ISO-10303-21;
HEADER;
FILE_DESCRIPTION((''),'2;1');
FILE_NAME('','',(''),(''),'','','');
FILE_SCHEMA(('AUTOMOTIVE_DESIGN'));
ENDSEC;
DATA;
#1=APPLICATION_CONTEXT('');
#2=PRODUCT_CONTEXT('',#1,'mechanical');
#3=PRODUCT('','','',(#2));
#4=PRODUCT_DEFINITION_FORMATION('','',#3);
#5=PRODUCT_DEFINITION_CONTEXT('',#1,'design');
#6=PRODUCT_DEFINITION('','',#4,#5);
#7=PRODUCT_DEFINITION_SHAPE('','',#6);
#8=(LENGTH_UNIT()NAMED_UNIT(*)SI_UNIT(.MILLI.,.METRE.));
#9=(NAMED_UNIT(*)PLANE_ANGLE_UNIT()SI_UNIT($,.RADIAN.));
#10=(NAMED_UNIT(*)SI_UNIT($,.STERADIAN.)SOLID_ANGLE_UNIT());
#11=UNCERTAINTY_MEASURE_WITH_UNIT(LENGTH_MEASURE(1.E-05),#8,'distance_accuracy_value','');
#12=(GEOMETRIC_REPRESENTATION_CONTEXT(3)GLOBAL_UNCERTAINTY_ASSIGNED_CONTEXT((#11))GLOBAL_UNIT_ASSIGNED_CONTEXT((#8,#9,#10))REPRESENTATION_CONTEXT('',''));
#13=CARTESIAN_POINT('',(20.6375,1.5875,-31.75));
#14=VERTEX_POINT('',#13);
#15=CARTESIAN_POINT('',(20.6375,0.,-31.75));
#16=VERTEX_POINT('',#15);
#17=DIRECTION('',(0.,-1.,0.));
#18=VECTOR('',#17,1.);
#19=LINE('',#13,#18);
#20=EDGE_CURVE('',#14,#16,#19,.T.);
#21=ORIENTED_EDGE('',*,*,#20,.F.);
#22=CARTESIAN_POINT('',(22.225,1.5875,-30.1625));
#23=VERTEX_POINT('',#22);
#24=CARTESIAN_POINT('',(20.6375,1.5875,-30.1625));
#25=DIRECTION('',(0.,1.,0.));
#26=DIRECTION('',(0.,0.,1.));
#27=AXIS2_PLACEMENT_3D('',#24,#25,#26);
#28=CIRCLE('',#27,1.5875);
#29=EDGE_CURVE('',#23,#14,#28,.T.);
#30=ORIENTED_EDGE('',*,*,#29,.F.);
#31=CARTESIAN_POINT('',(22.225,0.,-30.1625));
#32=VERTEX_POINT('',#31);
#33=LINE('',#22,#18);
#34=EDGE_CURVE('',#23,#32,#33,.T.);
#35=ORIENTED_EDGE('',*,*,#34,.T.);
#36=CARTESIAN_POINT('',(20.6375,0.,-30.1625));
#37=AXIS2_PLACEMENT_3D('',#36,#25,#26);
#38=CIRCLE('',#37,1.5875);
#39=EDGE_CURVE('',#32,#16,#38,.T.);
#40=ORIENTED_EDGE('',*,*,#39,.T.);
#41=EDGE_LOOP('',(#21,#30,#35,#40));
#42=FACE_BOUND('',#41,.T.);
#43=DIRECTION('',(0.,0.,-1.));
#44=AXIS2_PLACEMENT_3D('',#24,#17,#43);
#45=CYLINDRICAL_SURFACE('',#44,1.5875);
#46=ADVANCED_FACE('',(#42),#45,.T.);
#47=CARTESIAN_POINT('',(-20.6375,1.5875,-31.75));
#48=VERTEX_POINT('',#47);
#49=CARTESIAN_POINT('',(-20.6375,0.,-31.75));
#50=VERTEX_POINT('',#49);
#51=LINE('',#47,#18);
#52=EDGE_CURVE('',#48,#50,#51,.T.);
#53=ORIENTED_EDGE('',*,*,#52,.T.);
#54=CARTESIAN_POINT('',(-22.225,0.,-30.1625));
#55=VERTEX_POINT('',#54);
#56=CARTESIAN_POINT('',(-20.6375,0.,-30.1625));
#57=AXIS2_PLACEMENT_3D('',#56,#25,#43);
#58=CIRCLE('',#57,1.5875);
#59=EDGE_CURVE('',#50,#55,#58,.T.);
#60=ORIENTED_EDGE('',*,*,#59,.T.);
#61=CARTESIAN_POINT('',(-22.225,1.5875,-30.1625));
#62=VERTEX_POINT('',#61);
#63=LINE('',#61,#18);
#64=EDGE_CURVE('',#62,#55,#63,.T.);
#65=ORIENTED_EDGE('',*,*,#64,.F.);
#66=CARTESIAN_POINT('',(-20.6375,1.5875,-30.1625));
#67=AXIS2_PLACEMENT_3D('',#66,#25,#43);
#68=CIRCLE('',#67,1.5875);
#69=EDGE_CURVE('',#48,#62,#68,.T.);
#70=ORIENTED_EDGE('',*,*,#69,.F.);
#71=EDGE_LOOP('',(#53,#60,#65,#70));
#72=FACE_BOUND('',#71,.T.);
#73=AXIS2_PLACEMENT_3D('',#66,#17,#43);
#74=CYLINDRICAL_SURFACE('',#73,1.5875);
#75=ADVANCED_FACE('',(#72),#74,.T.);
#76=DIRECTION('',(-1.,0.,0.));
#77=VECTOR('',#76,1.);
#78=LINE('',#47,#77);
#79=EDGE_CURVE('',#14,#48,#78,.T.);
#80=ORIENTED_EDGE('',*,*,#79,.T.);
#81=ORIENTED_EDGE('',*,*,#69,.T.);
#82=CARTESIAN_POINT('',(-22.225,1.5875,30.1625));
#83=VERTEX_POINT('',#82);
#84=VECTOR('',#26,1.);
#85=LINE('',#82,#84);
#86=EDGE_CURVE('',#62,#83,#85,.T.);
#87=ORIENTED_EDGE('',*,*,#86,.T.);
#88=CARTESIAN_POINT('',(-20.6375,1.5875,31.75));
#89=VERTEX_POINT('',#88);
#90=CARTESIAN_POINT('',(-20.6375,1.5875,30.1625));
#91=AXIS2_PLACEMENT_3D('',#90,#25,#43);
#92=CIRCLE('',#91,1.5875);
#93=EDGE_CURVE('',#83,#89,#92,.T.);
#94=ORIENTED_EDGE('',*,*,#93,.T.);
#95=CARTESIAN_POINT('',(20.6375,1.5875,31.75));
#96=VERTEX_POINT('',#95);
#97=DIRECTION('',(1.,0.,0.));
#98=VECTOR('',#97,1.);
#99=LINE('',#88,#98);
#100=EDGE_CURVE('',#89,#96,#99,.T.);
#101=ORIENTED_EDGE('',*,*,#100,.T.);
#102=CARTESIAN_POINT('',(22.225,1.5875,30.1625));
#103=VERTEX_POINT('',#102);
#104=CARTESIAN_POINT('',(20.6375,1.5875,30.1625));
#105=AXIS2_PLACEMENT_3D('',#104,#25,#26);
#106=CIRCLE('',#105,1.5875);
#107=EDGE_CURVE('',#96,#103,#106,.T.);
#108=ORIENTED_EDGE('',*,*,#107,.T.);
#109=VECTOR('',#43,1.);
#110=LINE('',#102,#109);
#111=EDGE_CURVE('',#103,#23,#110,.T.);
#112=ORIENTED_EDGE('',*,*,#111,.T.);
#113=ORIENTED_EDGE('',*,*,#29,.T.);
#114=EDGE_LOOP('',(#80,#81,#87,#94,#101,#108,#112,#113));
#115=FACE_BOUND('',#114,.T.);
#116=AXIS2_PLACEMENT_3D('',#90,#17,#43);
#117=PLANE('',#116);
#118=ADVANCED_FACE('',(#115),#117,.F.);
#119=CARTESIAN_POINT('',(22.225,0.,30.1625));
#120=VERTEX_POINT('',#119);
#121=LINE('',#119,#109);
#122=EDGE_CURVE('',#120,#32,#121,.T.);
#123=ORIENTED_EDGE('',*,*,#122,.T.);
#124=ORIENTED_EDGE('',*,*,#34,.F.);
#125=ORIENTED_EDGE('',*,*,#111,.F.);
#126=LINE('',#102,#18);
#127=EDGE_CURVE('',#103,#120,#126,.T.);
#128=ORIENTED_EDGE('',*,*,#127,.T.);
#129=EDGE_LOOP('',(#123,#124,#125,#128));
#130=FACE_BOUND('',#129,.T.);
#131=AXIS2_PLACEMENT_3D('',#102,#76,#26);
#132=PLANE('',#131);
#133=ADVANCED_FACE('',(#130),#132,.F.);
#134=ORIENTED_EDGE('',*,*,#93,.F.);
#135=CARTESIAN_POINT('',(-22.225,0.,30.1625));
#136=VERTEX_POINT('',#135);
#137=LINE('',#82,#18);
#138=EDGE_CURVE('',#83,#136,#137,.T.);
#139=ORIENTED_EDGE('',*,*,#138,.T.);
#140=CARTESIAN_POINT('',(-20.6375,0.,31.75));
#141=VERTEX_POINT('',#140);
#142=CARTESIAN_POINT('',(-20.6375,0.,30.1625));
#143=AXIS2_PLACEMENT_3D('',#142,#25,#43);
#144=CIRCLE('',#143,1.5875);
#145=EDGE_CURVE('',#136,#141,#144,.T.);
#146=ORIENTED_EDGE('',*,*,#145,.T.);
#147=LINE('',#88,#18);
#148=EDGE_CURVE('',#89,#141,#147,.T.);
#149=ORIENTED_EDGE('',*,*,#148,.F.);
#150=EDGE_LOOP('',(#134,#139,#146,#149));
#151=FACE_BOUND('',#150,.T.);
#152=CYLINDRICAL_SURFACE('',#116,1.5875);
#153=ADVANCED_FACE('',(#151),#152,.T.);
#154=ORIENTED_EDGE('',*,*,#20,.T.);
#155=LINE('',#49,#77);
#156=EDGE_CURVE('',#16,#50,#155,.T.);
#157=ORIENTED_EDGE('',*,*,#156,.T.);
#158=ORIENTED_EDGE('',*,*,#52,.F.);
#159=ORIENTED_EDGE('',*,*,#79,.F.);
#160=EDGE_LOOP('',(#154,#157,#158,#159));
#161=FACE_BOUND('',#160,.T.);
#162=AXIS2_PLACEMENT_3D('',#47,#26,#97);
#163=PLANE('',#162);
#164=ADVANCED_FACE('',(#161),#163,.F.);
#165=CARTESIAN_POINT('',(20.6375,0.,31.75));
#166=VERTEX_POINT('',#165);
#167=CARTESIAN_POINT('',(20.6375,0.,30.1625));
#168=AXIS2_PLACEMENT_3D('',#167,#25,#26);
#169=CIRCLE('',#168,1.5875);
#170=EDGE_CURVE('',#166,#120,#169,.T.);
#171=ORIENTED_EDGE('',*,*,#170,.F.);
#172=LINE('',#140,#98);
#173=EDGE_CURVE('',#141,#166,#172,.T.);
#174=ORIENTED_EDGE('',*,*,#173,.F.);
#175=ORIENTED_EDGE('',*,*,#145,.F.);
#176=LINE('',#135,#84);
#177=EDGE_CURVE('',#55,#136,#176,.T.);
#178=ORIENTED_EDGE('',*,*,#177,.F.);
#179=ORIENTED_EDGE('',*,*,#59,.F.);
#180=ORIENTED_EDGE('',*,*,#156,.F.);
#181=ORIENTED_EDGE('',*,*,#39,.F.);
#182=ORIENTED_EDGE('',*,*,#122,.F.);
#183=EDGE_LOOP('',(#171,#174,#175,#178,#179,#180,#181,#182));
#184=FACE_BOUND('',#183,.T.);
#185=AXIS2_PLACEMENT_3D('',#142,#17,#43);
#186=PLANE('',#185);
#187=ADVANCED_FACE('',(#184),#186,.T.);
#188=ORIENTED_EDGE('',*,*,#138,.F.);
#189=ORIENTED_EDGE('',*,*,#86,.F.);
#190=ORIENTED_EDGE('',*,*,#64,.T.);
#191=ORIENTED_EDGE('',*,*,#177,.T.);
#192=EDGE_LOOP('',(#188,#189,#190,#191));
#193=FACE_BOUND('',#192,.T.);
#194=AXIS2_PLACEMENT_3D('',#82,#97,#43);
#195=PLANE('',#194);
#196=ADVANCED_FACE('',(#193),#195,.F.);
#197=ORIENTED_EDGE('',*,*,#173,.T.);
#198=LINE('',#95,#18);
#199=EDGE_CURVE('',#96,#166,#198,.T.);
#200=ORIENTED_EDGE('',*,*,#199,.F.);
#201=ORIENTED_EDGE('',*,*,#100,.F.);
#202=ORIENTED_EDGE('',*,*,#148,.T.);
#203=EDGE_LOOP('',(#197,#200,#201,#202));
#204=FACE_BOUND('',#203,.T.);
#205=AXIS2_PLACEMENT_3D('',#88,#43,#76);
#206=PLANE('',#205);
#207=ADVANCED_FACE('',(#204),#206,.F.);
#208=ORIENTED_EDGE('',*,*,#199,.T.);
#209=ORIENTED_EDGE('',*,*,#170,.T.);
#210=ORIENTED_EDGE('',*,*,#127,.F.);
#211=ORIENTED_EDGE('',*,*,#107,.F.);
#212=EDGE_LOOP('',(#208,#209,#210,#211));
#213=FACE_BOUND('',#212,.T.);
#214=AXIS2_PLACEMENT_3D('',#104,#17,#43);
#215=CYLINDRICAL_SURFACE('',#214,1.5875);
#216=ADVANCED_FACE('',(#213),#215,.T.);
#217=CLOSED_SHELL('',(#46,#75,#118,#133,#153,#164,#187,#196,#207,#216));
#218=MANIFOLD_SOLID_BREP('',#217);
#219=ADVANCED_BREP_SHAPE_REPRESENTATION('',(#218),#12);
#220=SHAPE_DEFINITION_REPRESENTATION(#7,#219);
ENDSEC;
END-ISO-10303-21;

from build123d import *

# Parameters (mm, degrees)
BOSS_EXTRUDE1_DEPTH = 1.5875


with BuildPart() as part:
    # Sketch1 → Boss-Extrude1 (new body)
    with BuildSketch(Plane(origin=(0, 0, 0), x_dir=(1, 0, 0), z_dir=(0, 1, 0))):
        with BuildLine():
            Line((-22.225, -30.1625), (-22.225, 30.1625))
            ThreePointArc((-22.225, 30.1625), (-21.760032015, 31.285032015), (-20.6375, 31.75))
            Line((-20.6375, 31.75), (20.6375, 31.75))
            ThreePointArc((20.6375, 31.75), (21.760032015, 31.285032015), (22.225, 30.1625))
            Line((22.225, 30.1625), (22.225, -30.1625))
            ThreePointArc((22.225, -30.1625), (21.760032015, -31.285032015), (20.6375, -31.75))
            Line((20.6375, -31.75), (-20.6375, -31.75))
            ThreePointArc((-20.6375, -31.75), (-21.760032015, -31.285032015), (-22.225, -30.1625))
        make_face()
    extrude(amount=BOSS_EXTRUDE1_DEPTH)


solid = part.part
